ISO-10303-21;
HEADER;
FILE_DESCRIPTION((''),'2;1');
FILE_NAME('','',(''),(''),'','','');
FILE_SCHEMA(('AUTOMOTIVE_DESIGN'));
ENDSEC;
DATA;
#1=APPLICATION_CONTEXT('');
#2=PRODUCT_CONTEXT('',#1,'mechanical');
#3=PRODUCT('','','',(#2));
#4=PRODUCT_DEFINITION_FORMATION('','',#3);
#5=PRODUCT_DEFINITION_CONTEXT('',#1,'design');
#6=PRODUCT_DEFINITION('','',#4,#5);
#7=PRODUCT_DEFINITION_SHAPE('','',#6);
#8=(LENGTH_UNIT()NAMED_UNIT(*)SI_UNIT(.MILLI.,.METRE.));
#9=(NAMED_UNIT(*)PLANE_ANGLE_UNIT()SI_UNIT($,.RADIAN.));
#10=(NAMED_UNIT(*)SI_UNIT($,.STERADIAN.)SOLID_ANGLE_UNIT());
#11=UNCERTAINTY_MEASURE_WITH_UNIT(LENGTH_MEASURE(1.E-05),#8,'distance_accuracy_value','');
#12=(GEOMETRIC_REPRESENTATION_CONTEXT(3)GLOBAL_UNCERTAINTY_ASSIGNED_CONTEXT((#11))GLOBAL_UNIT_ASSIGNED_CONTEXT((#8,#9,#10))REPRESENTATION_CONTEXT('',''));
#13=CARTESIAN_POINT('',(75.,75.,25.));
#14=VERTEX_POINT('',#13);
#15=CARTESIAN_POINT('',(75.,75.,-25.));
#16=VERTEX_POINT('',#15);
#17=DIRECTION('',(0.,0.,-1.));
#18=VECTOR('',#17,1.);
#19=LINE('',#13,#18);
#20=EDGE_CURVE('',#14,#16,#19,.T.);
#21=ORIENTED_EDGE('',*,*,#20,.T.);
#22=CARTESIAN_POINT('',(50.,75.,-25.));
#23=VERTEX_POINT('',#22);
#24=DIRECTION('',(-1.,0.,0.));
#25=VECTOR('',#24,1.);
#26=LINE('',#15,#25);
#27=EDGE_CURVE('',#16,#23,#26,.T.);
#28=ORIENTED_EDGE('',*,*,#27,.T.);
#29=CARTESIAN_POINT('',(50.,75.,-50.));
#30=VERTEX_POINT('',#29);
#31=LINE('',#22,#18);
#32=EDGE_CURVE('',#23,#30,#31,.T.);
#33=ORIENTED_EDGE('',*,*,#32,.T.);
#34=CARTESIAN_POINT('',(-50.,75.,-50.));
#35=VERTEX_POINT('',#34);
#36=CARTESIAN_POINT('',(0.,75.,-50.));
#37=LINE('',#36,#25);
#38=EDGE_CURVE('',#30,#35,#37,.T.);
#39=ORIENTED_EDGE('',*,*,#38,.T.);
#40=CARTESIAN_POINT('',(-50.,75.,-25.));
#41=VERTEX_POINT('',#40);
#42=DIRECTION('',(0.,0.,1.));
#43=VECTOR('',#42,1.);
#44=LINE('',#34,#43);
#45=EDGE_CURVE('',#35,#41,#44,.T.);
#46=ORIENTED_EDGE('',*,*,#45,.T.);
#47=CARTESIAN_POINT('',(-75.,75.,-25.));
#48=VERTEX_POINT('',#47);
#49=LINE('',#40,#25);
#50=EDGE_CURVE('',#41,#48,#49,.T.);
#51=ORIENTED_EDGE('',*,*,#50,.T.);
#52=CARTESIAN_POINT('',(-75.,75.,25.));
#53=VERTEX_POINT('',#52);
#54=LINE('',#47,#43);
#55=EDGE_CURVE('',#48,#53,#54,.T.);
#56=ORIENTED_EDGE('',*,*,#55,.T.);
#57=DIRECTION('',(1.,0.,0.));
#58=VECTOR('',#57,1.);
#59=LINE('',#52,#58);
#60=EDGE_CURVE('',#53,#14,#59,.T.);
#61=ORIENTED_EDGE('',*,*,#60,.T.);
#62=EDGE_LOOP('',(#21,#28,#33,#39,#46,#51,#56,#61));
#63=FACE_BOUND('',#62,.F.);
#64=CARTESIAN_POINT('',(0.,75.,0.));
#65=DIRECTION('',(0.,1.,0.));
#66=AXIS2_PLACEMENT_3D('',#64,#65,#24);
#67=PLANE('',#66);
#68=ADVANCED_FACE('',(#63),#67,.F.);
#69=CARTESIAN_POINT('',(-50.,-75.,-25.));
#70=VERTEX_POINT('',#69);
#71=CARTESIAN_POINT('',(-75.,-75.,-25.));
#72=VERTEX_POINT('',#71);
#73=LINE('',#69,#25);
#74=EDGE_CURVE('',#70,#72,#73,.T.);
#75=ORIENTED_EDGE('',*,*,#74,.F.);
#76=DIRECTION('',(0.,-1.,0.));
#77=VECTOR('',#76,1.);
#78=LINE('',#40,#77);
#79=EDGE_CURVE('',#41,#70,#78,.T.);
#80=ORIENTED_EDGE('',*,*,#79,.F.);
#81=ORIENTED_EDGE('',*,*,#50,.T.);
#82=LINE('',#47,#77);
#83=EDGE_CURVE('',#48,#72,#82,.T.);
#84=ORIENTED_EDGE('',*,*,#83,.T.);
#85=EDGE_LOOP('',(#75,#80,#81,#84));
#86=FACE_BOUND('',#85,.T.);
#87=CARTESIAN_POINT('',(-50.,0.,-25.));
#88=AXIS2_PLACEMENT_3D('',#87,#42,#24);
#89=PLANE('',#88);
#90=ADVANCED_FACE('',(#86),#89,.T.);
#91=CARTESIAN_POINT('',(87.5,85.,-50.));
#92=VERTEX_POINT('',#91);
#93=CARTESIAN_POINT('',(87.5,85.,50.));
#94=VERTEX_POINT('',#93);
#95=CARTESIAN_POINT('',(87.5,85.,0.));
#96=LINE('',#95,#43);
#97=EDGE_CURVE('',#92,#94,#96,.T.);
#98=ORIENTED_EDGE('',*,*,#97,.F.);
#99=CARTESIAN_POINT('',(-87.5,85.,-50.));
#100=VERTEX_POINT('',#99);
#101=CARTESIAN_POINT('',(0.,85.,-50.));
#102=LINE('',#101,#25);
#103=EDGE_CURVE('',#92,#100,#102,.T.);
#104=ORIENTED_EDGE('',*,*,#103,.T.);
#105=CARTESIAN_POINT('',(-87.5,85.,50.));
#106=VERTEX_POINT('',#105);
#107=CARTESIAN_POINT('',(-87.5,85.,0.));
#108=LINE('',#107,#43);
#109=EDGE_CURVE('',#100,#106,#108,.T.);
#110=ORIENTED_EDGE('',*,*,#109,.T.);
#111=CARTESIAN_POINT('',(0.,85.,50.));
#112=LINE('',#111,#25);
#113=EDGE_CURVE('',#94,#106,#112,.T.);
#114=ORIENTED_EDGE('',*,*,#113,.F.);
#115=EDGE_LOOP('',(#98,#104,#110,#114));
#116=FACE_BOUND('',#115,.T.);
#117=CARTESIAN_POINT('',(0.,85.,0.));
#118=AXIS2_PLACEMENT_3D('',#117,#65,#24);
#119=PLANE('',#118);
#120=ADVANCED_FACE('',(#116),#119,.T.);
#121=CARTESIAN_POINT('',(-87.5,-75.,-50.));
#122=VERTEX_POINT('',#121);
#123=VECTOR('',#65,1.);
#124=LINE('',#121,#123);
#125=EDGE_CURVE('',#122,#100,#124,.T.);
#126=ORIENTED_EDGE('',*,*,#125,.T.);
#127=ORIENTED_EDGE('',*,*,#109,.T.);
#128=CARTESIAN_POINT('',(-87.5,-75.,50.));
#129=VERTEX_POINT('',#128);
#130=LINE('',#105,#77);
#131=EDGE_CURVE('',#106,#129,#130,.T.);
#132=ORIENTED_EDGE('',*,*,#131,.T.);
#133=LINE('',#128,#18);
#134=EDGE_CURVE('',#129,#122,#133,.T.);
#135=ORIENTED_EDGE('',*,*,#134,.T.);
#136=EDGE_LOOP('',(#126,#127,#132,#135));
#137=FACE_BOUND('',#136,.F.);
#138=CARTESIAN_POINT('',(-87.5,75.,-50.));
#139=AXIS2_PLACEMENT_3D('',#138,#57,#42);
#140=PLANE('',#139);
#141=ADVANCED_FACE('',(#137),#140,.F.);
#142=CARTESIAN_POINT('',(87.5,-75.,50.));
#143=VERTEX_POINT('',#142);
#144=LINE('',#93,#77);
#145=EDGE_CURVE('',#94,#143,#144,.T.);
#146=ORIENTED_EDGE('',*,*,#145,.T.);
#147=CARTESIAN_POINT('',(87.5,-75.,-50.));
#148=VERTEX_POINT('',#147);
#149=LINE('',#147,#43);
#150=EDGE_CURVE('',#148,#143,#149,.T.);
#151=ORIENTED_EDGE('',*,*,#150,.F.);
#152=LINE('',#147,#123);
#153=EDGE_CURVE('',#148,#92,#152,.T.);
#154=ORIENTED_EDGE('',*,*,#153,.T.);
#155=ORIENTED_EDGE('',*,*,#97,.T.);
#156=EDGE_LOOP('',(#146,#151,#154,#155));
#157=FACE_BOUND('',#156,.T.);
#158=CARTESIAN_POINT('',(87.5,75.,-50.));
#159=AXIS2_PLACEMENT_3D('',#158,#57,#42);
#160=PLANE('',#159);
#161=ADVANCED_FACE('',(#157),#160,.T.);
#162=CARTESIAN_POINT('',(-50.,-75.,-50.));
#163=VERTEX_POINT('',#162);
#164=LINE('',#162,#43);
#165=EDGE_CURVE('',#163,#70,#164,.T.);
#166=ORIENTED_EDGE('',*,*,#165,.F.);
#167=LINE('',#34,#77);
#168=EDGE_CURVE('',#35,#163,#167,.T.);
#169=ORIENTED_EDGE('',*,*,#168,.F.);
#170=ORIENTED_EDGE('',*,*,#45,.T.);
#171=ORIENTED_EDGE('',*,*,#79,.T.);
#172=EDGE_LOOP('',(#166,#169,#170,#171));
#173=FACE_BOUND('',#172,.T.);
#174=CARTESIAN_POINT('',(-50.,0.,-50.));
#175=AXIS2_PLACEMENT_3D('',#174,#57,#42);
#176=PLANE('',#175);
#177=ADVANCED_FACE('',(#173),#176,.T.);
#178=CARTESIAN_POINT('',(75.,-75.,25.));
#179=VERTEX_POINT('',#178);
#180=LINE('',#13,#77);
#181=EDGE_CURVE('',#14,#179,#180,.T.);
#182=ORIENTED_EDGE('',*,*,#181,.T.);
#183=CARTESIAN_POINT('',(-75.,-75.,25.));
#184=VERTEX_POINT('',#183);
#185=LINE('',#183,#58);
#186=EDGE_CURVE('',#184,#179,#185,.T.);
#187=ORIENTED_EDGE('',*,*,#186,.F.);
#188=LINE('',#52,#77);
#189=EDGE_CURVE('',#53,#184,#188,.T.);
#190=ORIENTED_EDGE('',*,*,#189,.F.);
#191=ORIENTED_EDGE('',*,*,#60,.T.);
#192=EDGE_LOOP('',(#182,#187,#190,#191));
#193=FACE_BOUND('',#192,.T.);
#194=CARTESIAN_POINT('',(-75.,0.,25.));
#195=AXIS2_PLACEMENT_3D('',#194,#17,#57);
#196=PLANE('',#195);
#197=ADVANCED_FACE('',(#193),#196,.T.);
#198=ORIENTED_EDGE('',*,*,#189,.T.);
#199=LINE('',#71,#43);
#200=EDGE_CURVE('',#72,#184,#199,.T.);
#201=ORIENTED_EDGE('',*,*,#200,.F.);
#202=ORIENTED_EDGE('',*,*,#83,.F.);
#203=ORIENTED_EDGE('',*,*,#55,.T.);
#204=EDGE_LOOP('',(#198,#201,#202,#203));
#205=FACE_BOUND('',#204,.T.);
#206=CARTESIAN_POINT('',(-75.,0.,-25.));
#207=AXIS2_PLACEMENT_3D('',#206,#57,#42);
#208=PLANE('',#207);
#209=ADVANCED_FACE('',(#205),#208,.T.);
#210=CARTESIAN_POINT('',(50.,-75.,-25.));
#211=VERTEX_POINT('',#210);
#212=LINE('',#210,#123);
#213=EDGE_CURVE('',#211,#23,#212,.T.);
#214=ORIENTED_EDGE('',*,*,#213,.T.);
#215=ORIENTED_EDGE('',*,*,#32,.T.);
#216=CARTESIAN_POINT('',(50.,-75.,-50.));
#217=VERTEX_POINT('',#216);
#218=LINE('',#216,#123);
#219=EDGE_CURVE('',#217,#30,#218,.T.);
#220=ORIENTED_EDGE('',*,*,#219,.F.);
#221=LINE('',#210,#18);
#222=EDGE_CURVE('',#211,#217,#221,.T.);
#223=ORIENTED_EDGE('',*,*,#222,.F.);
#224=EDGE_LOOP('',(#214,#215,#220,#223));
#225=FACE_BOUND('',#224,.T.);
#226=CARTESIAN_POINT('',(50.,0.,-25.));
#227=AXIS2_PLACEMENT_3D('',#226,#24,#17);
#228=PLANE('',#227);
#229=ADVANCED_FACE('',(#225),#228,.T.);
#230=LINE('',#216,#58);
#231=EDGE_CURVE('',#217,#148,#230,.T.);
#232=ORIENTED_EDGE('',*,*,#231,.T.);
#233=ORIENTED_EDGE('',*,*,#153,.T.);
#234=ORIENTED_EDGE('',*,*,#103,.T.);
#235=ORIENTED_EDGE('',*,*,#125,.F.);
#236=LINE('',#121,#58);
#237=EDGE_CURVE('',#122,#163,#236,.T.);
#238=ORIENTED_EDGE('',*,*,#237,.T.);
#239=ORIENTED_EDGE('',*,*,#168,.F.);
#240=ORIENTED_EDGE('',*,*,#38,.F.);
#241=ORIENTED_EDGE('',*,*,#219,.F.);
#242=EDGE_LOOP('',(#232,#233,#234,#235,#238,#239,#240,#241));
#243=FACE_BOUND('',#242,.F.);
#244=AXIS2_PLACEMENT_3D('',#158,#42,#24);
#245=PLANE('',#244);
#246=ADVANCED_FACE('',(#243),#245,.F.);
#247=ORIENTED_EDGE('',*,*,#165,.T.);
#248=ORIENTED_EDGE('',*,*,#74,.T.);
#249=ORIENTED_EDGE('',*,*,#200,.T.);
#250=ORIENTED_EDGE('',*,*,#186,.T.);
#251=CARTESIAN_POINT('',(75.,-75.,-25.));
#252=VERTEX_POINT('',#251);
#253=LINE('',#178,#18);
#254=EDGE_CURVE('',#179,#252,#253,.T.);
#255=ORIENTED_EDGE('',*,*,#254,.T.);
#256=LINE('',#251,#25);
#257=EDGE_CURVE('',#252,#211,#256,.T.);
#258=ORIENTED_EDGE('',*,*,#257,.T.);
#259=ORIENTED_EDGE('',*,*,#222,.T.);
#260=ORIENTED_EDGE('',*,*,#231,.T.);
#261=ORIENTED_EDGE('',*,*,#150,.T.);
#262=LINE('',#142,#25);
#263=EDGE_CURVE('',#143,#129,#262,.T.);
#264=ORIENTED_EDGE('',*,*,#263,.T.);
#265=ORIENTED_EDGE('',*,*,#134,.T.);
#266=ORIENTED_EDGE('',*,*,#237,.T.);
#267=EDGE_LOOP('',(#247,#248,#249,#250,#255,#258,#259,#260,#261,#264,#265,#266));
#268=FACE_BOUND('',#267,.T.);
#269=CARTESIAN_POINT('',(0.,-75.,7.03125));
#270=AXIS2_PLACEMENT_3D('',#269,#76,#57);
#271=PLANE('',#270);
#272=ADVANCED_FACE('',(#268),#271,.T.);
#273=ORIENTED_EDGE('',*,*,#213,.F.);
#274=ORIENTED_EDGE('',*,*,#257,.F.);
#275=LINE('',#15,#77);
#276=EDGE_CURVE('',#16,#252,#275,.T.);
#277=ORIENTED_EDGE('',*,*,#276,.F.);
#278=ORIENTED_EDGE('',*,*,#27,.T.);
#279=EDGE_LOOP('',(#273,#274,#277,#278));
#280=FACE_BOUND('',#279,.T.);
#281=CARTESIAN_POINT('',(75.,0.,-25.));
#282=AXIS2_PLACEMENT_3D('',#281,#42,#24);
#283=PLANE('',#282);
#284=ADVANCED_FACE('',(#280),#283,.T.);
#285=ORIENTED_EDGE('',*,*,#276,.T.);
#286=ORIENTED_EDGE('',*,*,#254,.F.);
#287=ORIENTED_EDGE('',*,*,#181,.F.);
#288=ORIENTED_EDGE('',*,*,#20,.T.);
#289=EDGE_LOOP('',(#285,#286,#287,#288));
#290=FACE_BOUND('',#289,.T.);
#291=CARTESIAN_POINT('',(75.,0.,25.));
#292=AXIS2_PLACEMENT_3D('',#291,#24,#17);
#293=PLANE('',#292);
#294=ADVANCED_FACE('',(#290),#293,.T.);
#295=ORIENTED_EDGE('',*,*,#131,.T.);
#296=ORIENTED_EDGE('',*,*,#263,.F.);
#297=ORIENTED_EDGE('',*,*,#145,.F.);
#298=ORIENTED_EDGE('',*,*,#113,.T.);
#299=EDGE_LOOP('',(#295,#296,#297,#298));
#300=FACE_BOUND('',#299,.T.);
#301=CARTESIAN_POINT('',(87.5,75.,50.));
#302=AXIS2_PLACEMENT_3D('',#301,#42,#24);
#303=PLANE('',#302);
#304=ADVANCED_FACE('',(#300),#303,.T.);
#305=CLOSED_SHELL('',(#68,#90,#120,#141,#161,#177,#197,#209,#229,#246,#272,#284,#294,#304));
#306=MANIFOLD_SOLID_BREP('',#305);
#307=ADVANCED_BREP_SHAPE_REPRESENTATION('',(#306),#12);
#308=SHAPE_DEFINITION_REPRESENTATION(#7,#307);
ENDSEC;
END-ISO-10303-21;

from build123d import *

# Parameters (mm, degrees)
F1_DEPTH      = 75
F1_DEPTH_BACK = 75
F2_W          = 175
F2_H          = 100
F3_DEPTH      = 10


with BuildPart() as f1:
    # F0 (on Front) → F1 (new body, two sides)
    with BuildSketch(Plane.XZ) as f1_sk:
        Polygon((87.5, -50), (87.5, 50), (-87.5, 50), (-87.5, -50), (-50, -50), (-50, -25), (-75, -25), (-75, 25), (75, 25), (75, -25), (50, -25), (50, -50), align=None)
    extrude(amount=F1_DEPTH)
    extrude(f1_sk.sketch, amount=-F1_DEPTH_BACK)

    # F2 (on face) → F3 (join)
    with BuildSketch(Plane(origin=(0, 75, 0), x_dir=(-1, 0, 0), z_dir=(0, 1, 0))):
        Rectangle(F2_W, F2_H)
    extrude(amount=F3_DEPTH)


solid = f1.part
